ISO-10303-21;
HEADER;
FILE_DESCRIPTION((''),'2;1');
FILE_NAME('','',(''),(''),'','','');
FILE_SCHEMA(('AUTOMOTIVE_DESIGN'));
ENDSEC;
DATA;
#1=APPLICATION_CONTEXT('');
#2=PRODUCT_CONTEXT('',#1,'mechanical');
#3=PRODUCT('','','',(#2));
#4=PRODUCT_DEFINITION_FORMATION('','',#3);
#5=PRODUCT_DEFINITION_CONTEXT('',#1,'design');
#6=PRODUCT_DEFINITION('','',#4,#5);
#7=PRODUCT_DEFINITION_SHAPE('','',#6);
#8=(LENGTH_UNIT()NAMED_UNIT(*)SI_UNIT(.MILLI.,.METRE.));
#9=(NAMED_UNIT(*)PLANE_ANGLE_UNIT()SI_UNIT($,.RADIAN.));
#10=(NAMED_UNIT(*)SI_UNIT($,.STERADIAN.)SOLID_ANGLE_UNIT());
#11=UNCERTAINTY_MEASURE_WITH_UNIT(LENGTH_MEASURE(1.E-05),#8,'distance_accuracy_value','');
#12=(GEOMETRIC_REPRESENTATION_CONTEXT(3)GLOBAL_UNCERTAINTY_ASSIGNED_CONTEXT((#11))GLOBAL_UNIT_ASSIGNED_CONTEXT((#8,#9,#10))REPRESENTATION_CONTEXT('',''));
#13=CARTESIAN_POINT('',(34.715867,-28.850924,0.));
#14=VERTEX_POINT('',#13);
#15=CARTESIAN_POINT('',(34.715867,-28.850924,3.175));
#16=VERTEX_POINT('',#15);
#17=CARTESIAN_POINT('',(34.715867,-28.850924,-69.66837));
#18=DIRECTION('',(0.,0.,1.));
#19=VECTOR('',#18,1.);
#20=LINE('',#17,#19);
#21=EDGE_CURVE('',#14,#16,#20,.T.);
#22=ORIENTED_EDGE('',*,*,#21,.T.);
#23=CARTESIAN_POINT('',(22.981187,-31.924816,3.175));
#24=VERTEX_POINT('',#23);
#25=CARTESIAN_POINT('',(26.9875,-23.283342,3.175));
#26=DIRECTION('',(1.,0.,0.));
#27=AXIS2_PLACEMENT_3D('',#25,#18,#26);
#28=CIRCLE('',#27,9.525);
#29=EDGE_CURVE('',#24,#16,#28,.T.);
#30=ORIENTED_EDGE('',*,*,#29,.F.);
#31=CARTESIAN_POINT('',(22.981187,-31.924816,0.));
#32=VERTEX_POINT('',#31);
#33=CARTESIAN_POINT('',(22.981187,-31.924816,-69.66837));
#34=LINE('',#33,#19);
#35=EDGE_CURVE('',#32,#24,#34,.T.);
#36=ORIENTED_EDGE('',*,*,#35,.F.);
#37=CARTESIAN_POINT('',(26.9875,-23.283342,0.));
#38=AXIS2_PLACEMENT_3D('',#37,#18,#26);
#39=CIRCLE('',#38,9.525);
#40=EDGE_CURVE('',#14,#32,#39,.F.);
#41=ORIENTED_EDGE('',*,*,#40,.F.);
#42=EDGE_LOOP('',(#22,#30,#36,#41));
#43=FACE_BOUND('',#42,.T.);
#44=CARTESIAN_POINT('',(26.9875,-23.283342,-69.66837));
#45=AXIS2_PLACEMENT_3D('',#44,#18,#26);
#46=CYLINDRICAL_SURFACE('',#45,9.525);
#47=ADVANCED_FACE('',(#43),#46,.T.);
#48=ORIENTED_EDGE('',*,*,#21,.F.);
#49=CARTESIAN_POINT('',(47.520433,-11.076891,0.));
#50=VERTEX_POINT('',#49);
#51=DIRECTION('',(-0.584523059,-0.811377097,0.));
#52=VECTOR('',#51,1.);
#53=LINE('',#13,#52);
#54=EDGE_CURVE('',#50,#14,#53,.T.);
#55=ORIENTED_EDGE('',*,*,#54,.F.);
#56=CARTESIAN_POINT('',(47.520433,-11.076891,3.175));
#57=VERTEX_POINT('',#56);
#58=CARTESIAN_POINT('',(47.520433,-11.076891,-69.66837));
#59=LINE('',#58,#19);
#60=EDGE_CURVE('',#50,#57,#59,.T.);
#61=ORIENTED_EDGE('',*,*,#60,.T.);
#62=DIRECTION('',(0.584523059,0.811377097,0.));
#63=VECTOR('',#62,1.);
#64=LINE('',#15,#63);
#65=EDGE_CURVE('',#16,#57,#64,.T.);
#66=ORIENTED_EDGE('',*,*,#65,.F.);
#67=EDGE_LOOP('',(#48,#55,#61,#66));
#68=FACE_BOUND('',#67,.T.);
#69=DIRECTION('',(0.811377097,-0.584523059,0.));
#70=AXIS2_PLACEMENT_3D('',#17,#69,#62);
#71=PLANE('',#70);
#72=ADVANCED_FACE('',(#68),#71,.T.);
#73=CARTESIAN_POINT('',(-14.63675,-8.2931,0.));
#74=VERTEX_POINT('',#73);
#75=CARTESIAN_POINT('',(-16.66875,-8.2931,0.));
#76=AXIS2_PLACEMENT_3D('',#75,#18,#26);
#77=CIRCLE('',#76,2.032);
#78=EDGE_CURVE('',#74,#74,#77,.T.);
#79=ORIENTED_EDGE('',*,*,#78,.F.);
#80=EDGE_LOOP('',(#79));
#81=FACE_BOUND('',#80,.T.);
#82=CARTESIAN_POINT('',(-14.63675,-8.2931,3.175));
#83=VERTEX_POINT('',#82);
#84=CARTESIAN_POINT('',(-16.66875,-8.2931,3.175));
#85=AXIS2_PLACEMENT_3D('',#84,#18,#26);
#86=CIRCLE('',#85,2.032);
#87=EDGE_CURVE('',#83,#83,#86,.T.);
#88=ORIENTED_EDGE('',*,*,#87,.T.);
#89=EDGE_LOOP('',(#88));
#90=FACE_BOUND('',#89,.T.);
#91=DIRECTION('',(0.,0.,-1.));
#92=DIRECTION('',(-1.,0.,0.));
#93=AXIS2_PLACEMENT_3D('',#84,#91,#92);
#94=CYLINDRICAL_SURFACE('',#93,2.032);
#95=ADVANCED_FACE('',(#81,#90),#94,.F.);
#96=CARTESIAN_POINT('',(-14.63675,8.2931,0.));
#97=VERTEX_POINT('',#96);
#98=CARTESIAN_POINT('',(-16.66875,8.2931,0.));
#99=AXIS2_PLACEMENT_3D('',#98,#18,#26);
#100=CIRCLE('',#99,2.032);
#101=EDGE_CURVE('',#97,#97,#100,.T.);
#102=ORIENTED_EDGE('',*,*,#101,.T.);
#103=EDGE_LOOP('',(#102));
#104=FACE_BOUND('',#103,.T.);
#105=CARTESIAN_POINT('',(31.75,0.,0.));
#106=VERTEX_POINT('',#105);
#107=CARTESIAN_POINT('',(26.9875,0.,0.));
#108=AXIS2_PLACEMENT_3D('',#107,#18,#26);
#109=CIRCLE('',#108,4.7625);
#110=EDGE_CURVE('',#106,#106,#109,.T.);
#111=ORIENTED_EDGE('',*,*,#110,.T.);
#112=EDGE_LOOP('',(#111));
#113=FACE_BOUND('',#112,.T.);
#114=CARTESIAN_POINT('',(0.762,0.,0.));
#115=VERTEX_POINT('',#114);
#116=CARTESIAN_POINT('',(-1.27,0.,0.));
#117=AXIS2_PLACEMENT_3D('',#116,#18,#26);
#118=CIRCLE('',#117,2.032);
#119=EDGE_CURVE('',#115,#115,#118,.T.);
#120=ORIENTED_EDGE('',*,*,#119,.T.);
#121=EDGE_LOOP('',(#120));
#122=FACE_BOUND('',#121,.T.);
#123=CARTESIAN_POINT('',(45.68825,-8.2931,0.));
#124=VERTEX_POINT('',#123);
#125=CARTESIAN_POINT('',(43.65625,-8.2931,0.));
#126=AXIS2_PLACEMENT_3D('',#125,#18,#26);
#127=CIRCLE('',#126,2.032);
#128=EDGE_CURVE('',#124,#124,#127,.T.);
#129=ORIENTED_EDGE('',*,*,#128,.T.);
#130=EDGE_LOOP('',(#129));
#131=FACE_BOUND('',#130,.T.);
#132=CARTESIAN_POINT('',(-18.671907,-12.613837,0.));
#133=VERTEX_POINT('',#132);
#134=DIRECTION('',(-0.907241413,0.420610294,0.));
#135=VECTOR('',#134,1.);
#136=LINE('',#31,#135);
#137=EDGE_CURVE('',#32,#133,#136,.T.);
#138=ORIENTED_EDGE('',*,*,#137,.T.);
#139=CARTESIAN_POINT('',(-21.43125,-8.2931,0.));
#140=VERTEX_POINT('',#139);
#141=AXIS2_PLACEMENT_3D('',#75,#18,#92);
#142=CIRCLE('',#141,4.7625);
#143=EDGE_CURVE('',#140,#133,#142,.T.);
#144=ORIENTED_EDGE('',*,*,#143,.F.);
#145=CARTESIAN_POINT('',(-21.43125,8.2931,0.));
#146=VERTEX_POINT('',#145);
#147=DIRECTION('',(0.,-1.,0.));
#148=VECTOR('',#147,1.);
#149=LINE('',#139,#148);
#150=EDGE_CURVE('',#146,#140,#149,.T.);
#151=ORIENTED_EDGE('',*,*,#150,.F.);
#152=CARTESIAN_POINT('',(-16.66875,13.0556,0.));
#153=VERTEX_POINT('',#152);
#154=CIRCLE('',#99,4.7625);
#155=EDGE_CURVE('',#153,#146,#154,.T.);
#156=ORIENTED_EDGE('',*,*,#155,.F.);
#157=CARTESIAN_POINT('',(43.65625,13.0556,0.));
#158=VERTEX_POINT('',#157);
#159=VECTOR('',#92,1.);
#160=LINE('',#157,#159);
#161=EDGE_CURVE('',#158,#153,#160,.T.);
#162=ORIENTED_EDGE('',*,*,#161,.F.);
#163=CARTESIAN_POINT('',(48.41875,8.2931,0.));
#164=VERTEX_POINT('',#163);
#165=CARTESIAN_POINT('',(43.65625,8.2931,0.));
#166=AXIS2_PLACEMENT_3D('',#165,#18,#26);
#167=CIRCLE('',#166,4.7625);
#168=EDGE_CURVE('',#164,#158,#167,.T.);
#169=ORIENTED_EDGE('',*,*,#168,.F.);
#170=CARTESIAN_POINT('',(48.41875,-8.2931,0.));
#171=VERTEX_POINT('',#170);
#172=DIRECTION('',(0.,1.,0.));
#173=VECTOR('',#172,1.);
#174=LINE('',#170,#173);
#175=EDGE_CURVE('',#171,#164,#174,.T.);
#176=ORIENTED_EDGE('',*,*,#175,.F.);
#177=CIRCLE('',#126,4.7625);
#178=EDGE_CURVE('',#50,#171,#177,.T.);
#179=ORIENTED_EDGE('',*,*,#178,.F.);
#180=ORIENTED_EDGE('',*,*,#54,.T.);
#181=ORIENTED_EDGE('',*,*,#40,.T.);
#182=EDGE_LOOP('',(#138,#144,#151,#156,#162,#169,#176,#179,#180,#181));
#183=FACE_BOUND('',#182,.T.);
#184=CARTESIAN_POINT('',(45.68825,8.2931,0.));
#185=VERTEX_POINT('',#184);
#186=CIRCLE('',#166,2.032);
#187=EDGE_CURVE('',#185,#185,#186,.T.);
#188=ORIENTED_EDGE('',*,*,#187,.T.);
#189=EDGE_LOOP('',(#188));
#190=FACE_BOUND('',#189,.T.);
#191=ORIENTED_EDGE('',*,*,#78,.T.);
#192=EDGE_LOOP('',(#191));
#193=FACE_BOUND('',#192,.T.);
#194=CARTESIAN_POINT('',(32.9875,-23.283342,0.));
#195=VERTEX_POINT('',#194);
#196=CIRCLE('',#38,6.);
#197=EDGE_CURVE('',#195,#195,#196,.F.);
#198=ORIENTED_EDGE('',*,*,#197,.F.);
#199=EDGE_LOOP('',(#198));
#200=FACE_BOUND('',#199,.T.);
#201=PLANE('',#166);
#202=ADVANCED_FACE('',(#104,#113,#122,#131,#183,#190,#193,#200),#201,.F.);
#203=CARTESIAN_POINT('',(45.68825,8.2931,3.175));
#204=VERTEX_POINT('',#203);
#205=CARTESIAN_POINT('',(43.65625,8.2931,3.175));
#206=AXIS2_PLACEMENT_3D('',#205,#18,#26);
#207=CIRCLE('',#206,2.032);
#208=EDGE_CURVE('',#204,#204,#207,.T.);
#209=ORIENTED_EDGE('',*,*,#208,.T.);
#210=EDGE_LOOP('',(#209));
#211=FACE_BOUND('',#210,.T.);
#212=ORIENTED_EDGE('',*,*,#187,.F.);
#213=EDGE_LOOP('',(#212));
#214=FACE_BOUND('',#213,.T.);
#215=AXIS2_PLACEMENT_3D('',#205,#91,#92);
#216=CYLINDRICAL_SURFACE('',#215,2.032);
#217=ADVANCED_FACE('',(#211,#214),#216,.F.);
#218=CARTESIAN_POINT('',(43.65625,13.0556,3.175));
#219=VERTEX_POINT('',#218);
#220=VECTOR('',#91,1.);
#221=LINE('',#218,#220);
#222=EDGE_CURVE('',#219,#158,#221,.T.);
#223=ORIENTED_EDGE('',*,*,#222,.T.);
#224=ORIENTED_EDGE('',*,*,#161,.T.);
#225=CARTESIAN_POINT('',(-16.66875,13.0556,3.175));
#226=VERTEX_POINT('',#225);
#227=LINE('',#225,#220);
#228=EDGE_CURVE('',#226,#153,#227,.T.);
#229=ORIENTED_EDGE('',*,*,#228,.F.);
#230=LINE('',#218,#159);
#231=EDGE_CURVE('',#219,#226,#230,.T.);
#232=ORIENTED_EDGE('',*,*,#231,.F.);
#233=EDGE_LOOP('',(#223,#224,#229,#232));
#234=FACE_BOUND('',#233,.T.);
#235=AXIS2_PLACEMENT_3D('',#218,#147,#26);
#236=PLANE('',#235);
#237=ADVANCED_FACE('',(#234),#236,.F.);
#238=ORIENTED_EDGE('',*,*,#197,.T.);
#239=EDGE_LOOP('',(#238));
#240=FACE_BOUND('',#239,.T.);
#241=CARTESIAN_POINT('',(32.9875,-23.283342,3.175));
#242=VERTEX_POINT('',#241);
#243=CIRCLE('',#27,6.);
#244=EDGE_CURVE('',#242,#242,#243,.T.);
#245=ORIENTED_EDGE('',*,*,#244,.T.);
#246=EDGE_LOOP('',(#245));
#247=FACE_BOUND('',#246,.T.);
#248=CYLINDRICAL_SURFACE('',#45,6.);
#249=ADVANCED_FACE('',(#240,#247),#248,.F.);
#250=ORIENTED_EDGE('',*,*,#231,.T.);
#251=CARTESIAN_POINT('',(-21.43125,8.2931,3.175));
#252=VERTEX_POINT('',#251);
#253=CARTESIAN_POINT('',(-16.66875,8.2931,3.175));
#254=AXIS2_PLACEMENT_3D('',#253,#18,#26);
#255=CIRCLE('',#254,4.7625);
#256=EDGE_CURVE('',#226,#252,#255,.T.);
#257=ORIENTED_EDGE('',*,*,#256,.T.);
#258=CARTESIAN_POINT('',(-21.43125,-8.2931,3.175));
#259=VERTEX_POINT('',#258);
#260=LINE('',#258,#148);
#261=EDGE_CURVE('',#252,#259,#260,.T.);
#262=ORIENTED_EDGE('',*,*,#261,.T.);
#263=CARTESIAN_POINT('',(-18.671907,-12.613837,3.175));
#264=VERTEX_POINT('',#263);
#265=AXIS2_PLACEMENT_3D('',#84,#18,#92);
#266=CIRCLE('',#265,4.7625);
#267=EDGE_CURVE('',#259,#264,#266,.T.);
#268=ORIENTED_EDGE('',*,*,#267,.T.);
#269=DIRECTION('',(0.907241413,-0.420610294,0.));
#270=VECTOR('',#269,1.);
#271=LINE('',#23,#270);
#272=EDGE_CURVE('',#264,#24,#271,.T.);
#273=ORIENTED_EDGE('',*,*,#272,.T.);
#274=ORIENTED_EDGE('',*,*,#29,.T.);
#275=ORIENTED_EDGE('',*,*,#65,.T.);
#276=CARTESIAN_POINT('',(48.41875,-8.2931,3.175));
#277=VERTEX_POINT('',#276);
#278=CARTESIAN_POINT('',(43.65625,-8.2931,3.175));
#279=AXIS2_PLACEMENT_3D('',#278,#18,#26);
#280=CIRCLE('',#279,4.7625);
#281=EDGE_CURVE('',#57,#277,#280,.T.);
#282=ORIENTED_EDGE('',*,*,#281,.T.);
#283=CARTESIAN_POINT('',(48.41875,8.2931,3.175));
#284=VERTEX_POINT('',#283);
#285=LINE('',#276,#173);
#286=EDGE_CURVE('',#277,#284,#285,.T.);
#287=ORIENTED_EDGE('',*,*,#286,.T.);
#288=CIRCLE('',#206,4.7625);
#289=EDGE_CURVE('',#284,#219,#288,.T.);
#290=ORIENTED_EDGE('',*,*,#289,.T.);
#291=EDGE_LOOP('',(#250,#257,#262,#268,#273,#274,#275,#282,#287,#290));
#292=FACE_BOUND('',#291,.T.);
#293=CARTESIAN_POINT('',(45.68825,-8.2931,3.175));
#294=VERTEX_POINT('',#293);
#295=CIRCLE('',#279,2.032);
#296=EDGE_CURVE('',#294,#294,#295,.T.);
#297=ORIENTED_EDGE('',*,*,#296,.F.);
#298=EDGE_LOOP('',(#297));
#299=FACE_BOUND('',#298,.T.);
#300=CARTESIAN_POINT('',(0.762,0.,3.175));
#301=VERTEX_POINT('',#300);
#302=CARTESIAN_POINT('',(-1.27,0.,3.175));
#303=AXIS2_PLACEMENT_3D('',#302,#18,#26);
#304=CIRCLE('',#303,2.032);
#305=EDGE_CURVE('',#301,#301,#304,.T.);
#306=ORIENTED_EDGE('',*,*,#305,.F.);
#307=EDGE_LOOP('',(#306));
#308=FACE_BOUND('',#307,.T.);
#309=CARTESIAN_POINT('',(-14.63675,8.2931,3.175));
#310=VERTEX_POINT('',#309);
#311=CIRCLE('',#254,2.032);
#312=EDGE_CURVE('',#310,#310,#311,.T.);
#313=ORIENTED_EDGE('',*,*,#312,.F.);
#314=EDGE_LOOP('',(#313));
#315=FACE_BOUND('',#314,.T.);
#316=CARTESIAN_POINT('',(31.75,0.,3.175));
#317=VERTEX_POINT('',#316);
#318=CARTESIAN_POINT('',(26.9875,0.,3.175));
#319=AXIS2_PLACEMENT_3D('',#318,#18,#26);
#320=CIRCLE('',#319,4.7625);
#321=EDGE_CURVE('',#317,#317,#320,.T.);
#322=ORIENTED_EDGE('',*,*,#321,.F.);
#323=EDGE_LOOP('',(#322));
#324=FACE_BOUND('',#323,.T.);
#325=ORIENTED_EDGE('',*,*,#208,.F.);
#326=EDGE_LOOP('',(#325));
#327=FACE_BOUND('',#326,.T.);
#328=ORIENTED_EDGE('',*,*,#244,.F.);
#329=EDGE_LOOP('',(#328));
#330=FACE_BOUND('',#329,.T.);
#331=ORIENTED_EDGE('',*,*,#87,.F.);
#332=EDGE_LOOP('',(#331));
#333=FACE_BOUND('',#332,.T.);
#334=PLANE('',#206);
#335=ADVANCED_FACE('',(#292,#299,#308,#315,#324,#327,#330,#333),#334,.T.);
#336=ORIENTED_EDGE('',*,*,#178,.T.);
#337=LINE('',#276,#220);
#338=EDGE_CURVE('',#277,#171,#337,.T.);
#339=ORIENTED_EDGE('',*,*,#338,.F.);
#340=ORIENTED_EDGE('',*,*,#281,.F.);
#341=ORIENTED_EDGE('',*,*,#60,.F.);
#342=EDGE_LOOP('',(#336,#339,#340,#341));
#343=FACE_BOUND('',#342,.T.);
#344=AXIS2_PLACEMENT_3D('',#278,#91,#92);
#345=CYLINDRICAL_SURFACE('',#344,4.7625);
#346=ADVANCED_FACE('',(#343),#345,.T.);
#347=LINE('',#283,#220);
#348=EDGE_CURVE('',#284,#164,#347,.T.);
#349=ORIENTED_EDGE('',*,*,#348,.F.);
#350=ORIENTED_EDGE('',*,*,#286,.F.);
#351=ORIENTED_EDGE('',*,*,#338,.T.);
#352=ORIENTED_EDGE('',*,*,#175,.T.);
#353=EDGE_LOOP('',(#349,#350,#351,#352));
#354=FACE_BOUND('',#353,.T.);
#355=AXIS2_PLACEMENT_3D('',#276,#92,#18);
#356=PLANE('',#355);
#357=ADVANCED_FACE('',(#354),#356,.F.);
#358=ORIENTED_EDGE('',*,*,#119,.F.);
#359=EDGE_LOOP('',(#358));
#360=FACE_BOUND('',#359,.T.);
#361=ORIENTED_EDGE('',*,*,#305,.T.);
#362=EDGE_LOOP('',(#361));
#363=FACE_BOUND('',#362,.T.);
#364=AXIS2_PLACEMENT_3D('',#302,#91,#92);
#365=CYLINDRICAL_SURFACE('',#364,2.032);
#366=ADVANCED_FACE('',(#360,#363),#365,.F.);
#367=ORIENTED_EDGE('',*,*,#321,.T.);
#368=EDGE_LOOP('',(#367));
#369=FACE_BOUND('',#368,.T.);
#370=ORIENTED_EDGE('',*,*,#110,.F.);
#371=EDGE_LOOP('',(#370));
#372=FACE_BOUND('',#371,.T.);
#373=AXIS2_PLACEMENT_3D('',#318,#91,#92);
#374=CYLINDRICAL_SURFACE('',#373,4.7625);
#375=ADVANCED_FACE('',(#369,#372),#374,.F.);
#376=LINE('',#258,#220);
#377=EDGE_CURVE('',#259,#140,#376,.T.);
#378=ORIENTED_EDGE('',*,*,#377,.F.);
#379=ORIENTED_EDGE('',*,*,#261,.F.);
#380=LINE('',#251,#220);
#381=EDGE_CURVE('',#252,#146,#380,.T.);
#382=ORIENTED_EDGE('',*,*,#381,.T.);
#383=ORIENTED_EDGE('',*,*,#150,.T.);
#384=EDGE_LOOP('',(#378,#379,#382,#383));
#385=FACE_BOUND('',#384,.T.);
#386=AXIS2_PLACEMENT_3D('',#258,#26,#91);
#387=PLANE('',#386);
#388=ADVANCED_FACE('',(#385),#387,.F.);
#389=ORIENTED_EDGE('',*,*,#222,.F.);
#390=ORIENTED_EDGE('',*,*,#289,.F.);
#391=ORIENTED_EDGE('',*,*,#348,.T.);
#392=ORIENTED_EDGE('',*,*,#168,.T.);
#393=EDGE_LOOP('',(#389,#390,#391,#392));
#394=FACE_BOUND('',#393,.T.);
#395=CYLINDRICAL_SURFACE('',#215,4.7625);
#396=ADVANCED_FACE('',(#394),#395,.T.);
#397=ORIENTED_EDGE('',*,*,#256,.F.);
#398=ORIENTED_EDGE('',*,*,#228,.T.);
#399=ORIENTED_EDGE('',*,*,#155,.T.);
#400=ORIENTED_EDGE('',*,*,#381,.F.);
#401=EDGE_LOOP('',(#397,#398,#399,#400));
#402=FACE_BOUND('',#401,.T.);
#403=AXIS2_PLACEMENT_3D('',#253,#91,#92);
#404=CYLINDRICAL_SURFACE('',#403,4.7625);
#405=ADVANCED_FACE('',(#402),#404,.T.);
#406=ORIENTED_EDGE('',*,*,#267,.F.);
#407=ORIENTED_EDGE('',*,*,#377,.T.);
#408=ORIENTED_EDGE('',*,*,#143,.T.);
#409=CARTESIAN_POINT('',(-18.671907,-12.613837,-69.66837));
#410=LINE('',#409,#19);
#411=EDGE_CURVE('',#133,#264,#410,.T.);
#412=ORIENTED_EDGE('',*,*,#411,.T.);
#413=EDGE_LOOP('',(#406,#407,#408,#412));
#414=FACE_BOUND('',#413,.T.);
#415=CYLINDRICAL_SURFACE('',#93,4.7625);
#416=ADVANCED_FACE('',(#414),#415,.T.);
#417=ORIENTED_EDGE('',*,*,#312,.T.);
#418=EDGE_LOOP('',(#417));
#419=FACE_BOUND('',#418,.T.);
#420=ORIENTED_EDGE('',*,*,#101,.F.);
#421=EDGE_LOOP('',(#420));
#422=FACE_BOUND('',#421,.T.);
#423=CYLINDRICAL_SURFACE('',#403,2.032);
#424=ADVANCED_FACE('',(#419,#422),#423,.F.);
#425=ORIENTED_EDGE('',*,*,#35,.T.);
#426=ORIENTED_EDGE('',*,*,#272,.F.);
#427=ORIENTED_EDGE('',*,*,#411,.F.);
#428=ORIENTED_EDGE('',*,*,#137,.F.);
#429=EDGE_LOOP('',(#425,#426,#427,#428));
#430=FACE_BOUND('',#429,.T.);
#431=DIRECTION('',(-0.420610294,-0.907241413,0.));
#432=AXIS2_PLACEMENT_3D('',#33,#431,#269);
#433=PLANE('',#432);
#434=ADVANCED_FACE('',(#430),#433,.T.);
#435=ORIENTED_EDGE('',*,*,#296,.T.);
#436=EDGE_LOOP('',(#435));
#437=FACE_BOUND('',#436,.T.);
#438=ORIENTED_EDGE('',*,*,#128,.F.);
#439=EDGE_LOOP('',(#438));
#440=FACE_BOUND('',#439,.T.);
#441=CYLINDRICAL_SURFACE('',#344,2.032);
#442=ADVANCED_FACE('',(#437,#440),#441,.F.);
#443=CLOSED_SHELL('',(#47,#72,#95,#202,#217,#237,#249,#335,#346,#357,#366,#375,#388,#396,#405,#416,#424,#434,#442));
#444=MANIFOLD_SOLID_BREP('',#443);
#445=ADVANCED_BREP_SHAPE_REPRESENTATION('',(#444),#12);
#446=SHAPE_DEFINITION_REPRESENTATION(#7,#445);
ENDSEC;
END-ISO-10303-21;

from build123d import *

# Parameters (mm, degrees)
SKETCH1_R           = 4.7625
SKETCH1_R_2         = 2.032
BOSS_EXTRUDE1_DEPTH = 3.175
BOSS_EXTRUDE2_START = -3.175
SKETCH2_R           = 6
BOSS_EXTRUDE2_DEPTH = 3.175


with BuildPart() as part:
    # Sketch1 → Boss-Extrude1 (new body)
    with BuildSketch(Plane.XY):
        with BuildLine():
            Line((43.65625, -13.0556), (-16.66875, -13.0556))
            ThreePointArc((-16.66875, -13.0556), (-20.036346045, -11.660696045), (-21.43125, -8.2931))
            Line((-21.43125, -8.2931), (-21.43125, 8.2931))
            ThreePointArc((-21.43125, 8.2931), (-20.036346045, 11.660696045), (-16.66875, 13.0556))
            Line((-16.66875, 13.0556), (43.65625, 13.0556))
            ThreePointArc((43.65625, 13.0556), (47.023846045, 11.660696045), (48.41875, 8.2931))
            Line((48.41875, 8.2931), (48.41875, -8.2931))
            ThreePointArc((48.41875, -8.2931), (47.023846045, -11.660696045), (43.65625, -13.0556))
        make_face()
        with Locations((26.9875, 0)):
            Circle(SKETCH1_R, mode=Mode.SUBTRACT)
        with Locations((-16.66875, 8.2931)):
            Circle(SKETCH1_R_2, mode=Mode.SUBTRACT)
        with Locations((43.65625, 8.2931)):
            Circle(SKETCH1_R_2, mode=Mode.SUBTRACT)
        with Locations((-16.66875, -8.2931)):
            Circle(SKETCH1_R_2, mode=Mode.SUBTRACT)
        with Locations((43.65625, -8.2931)):
            Circle(SKETCH1_R_2, mode=Mode.SUBTRACT)
        with Locations((-1.27, 0)):
            Circle(SKETCH1_R_2, mode=Mode.SUBTRACT)
    extrude(amount=BOSS_EXTRUDE1_DEPTH)

    # Sketch2 → Boss-Extrude2 (add)
    with BuildSketch(Plane.XY.offset(3.175).offset(BOSS_EXTRUDE2_START)):
        with BuildLine():
            Line((22.98118695, -31.924816254), (-18.671906525, -12.613837227))
            ThreePointArc((-18.671906525, -12.613837227), (-17.694394969, -12.943848181), (-16.66875, -13.0556))
            Line((-16.66875, -13.0556), (43.65625, -13.0556))
            ThreePointArc((43.65625, -13.0556), (45.826918249, -12.53215716), (47.520433425, -11.076891067))
            Line((47.520433425, -11.076891067), (34.71586685, -28.850923935))
            ThreePointArc((34.71586685, -28.850923935), (29.401133075, -32.49746142), (22.98118695, -31.924816254))
        make_face()
        with Locations((26.9875, -23.2833418)):
            Circle(SKETCH2_R, mode=Mode.SUBTRACT)
    extrude(amount=BOSS_EXTRUDE2_DEPTH)


solid = part.part
